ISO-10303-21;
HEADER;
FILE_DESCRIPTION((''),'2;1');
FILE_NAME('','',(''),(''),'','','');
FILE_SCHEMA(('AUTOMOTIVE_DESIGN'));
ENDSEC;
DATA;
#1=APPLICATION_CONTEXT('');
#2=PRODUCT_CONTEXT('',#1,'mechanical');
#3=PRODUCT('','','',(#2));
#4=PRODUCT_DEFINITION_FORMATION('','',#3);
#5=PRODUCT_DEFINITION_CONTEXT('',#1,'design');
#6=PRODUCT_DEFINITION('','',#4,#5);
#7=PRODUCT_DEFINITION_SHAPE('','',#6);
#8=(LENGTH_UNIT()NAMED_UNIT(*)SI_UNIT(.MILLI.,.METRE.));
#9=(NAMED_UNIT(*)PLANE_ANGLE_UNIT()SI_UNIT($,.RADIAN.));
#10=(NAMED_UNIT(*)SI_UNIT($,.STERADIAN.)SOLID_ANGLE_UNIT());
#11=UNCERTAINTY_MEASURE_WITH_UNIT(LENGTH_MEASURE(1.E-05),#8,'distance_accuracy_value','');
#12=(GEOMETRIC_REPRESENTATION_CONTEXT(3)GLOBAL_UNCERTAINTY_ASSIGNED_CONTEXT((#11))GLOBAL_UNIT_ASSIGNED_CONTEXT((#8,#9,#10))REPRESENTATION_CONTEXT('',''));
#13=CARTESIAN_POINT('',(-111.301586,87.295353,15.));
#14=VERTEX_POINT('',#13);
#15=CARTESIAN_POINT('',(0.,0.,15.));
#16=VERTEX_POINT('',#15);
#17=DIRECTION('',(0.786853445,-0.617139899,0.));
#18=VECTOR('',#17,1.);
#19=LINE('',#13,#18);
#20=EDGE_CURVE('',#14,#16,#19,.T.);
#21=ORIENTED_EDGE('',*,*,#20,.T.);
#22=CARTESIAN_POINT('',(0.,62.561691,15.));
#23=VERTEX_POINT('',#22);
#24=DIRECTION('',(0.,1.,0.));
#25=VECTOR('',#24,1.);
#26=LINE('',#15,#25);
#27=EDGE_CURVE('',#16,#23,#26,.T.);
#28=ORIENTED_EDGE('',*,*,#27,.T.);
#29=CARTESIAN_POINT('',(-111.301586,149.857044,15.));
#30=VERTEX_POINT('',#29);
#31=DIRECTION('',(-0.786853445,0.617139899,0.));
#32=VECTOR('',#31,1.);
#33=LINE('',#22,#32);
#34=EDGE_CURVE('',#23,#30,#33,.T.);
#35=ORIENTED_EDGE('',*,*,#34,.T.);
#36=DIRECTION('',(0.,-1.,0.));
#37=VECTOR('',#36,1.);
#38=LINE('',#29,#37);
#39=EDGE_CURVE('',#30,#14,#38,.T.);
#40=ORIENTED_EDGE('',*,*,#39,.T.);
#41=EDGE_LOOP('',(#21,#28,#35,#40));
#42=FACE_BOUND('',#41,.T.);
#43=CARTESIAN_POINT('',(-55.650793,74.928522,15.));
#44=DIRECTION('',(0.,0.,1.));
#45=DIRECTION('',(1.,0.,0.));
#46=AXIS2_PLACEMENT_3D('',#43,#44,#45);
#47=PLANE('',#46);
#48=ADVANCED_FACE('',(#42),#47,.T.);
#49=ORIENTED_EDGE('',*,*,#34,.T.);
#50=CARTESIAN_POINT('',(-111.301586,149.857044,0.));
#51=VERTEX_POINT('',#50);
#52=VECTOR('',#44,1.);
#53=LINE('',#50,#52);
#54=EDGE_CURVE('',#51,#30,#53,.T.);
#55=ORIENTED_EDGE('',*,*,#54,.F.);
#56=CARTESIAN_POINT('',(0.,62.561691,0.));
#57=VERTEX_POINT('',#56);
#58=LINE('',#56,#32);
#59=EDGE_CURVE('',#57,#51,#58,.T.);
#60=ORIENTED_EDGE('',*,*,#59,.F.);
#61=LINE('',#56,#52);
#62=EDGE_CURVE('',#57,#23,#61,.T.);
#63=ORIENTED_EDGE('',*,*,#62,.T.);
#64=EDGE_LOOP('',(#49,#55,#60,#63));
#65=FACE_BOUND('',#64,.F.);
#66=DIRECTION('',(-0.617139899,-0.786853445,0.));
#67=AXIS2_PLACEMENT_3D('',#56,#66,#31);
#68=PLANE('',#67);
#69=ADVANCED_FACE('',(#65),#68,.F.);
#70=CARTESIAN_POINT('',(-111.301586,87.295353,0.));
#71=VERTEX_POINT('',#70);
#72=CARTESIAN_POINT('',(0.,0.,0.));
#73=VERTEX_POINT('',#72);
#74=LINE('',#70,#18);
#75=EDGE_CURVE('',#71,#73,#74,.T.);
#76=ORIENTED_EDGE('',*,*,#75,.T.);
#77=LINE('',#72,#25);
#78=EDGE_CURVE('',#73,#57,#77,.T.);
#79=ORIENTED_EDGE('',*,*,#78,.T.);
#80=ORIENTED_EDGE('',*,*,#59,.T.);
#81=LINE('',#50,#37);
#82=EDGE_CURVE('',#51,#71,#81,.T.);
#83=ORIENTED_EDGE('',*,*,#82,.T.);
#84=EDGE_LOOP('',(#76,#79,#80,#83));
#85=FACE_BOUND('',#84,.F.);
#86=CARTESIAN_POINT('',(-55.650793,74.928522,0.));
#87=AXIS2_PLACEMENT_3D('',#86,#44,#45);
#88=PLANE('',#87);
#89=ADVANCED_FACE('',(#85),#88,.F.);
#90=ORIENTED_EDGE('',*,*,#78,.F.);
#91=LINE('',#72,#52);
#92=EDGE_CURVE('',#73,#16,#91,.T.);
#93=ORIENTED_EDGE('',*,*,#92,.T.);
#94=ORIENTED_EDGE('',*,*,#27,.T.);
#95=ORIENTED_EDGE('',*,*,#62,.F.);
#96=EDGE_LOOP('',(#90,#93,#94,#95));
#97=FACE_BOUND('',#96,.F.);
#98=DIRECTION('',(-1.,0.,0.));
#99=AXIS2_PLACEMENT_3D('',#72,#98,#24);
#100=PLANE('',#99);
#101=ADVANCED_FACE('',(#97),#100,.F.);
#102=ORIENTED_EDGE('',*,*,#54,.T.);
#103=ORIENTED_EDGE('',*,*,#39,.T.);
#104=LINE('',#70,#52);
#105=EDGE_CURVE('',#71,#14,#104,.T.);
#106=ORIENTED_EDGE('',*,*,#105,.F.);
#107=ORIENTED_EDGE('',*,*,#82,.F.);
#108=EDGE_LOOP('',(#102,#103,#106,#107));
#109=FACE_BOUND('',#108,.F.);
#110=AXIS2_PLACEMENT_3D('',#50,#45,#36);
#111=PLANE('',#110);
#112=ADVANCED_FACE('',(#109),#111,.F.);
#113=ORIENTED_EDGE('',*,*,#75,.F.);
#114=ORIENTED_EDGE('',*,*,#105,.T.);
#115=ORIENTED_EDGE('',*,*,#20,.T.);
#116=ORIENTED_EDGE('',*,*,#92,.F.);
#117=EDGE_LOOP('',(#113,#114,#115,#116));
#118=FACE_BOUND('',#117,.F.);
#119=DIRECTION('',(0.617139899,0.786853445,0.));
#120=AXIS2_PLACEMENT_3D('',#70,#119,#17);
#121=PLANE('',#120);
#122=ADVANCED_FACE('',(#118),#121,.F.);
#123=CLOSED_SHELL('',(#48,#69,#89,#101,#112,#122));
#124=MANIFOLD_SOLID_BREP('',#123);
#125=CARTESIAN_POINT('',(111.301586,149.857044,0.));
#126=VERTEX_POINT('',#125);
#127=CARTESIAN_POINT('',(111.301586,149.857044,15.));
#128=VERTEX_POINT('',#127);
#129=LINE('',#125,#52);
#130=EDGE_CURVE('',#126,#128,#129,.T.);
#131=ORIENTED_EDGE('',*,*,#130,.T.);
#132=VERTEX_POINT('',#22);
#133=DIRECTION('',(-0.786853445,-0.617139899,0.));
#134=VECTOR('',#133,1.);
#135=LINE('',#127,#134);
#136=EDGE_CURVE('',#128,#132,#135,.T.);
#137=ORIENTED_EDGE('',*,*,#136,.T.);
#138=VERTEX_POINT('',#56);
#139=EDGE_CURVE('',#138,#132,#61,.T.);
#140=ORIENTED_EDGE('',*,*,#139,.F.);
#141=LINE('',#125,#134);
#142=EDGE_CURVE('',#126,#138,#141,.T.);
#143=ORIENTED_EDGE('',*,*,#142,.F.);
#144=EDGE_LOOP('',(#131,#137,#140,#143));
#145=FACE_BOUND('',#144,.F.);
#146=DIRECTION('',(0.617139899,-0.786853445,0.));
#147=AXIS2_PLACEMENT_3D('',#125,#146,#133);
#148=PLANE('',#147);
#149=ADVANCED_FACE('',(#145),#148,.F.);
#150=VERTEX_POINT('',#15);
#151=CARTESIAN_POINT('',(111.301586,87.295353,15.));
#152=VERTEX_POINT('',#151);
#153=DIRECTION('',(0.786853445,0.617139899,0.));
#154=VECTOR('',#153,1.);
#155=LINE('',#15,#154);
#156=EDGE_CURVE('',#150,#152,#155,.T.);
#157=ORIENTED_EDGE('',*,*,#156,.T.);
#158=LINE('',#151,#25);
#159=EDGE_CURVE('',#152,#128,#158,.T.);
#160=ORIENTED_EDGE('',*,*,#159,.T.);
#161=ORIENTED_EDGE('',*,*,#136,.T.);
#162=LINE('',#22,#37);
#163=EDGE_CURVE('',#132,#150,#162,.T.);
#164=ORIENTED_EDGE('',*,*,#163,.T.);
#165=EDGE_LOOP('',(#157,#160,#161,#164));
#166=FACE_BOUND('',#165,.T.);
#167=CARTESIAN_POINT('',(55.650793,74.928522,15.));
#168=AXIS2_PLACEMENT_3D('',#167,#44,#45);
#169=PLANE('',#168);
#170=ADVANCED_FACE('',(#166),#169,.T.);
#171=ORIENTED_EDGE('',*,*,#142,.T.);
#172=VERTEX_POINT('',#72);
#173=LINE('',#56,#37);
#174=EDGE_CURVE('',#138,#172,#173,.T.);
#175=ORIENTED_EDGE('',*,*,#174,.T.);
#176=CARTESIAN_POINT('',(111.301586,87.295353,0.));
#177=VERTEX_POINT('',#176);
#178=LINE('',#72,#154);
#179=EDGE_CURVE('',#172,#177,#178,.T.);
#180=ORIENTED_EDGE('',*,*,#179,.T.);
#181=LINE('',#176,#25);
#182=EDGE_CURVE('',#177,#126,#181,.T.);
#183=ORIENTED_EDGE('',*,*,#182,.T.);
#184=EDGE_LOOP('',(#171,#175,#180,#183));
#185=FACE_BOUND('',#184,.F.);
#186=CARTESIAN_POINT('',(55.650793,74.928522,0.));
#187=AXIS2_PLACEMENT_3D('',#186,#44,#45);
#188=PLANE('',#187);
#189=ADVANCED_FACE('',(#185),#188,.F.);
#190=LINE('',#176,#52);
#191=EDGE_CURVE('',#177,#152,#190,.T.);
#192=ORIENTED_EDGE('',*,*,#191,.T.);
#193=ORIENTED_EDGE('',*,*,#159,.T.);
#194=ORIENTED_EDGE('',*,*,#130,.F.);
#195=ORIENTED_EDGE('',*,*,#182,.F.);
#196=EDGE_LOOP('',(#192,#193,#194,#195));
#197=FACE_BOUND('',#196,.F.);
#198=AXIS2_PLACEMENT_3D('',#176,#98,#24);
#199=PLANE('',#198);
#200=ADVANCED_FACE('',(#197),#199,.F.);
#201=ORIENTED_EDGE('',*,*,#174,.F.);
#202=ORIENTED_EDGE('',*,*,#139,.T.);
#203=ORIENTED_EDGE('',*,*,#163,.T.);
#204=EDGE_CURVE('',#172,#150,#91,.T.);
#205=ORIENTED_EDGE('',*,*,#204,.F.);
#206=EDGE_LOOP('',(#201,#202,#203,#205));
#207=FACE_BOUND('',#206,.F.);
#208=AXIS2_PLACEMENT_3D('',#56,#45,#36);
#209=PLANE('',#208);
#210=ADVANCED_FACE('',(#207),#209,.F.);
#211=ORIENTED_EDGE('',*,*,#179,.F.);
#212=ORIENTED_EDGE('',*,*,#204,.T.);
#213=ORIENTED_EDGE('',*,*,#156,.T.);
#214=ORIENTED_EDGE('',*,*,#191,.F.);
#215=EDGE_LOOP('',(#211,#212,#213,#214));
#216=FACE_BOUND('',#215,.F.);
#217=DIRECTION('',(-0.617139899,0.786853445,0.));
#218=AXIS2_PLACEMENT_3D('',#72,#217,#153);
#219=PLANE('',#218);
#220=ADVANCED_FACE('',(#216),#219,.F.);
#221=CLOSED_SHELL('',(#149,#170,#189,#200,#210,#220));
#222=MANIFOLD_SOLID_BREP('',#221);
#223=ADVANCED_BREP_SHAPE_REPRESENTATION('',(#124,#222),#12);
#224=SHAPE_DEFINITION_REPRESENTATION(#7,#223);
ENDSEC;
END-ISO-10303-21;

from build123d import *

# Parameters (mm, degrees)
F2_DEPTH = 15


with BuildPart() as f2:
    # F0 (on Top) → F2 (new body)
    with BuildSketch(Plane.XY):
        Polygon((-111.3015860319, 87.2953534126), (0, 0), (0, 62.5616908073), (-111.3015860319, 149.85704422), align=None)
    extrude(amount=F2_DEPTH)


with BuildPart() as f2b:
    # F1 (on face) → F2, piece 2 (new body)
    with BuildSketch(Plane.XY):
        Polygon((111.3015860319, 149.85704422), (0, 62.5616908073), (0, 0), (111.3015860319, 87.2953534126), align=None)
    extrude(amount=F2_DEPTH)


solid = Compound([f2.part, f2b.part])
